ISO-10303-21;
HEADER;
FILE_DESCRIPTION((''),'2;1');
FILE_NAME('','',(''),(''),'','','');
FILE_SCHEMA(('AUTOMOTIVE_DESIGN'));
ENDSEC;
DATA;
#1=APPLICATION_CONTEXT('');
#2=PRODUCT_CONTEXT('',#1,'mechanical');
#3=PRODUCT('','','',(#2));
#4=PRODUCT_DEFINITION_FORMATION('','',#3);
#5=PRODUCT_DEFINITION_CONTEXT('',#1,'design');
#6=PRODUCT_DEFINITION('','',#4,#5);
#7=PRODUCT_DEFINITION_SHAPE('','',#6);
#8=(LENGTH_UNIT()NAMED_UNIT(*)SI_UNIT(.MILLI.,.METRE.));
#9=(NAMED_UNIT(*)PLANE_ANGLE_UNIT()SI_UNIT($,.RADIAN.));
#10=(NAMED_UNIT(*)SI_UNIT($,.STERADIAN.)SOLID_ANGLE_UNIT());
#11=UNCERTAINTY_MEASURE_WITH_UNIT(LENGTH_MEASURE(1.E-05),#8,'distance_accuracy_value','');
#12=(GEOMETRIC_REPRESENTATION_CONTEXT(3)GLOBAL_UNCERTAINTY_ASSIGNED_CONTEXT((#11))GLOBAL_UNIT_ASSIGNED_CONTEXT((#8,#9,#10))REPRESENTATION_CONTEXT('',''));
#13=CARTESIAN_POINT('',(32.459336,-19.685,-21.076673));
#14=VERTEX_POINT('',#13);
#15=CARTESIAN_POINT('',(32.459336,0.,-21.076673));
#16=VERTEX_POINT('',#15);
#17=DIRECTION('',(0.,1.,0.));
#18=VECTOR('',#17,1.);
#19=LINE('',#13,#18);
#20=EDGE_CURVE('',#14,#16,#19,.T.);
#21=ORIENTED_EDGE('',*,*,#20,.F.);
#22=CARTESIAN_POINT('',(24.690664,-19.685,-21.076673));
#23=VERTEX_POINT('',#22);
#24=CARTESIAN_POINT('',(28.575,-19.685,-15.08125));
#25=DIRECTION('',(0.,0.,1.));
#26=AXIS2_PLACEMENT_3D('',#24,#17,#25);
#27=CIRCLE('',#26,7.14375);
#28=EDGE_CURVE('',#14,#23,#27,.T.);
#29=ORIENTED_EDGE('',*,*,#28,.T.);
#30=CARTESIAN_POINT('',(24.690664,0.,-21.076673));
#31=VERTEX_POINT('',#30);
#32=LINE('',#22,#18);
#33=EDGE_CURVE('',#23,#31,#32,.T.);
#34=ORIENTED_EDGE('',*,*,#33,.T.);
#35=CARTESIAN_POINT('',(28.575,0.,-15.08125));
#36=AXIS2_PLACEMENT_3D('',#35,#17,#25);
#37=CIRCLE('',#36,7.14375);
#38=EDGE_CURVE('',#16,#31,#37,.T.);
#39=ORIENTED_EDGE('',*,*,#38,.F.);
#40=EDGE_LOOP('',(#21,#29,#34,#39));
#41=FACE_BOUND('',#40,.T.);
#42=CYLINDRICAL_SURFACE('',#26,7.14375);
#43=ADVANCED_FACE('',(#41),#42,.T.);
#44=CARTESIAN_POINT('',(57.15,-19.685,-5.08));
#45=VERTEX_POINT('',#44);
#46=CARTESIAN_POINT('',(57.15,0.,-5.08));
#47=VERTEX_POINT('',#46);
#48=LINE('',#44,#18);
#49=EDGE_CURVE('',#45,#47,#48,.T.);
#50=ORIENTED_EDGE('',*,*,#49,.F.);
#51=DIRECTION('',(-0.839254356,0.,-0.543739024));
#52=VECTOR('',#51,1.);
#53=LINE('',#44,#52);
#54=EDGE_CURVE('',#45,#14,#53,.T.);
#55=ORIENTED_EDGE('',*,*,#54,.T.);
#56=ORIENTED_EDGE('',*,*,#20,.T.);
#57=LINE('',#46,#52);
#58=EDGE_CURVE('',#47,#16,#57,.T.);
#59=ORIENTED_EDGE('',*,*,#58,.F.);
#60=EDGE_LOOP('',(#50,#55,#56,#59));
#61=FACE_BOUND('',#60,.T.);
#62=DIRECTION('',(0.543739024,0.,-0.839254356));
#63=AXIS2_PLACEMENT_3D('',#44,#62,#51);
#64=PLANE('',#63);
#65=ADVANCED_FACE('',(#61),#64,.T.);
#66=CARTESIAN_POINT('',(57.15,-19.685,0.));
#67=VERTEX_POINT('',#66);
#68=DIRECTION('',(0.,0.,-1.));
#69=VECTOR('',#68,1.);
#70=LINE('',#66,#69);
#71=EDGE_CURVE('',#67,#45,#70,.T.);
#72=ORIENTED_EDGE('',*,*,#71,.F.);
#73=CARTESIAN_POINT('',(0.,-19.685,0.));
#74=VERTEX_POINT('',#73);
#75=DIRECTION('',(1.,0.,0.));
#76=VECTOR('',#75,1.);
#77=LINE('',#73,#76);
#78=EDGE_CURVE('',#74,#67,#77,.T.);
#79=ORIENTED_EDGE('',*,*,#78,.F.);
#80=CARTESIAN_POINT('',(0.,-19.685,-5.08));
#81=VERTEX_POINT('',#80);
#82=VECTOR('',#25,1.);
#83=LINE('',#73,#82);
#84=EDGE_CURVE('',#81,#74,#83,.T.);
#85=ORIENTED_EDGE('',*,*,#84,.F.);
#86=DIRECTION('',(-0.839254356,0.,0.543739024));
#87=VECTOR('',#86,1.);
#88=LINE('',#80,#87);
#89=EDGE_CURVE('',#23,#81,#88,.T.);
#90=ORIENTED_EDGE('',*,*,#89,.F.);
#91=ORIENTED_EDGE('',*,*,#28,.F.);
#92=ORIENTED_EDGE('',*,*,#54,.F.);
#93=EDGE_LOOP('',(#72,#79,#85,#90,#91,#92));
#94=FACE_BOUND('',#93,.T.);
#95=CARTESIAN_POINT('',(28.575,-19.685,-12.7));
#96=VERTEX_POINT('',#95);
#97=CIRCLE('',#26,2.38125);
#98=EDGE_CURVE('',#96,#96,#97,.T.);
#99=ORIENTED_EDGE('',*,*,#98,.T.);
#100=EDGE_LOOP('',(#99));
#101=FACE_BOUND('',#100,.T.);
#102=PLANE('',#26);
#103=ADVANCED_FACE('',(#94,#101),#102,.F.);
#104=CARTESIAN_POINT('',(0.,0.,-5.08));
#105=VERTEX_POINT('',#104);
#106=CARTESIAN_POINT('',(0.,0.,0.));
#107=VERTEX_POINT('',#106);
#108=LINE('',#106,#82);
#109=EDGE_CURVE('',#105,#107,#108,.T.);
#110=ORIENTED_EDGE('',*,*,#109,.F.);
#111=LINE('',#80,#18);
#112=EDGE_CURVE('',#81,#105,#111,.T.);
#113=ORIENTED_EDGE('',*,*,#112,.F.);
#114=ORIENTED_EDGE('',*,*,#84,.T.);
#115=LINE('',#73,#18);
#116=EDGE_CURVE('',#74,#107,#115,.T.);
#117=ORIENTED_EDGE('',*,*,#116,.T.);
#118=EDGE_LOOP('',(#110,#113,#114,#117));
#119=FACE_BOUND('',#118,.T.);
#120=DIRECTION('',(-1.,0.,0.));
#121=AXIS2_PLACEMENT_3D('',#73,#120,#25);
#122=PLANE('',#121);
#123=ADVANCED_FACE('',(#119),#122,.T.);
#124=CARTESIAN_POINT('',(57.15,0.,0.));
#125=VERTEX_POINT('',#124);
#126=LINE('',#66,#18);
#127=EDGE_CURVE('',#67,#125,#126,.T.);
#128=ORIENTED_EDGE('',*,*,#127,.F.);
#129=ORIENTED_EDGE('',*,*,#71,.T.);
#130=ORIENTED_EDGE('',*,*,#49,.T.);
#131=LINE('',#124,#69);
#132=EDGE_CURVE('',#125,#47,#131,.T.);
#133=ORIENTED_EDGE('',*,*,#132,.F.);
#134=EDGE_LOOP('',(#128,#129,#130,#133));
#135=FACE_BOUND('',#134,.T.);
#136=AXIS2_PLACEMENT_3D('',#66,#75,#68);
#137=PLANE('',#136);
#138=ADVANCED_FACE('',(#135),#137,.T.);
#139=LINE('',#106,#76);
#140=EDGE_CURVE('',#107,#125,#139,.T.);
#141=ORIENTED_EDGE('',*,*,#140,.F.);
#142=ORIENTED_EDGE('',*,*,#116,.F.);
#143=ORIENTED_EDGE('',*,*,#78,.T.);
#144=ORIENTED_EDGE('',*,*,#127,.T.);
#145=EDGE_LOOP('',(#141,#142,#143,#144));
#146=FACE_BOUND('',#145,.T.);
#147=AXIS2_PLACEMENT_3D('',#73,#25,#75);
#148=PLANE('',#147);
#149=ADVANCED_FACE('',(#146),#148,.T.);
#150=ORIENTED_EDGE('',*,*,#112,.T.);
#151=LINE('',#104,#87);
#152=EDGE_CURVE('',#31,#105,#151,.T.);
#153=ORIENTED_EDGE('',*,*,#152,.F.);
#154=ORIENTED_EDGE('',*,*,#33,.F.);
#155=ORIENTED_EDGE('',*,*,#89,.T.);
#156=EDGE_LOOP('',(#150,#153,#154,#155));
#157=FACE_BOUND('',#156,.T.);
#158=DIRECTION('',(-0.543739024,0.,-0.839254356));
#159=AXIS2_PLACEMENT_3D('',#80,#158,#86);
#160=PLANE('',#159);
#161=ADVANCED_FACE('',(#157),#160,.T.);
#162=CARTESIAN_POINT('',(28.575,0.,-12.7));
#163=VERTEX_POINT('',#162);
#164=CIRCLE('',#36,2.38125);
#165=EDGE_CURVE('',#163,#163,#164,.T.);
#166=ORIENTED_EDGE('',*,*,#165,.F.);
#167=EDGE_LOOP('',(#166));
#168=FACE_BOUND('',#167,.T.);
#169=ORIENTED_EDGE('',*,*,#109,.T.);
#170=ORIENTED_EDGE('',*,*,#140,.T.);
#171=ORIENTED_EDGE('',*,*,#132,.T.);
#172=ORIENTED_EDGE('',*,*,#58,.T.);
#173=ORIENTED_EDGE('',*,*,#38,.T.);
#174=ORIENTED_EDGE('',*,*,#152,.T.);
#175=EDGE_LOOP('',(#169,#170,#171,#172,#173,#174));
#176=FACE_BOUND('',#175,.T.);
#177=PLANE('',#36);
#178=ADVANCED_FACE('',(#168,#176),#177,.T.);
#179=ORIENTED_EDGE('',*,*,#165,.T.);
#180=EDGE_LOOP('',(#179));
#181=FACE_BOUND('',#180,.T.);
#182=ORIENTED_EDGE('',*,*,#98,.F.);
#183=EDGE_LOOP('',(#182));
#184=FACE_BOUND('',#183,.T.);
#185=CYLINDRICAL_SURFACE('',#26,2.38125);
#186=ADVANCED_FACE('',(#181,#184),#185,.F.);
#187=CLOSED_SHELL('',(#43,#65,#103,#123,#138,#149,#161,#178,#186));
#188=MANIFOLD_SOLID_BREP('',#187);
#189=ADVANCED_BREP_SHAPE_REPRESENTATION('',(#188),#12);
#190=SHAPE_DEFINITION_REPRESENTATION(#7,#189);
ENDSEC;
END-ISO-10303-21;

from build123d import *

# Parameters (mm, degrees)
SKETCH1_R           = 2.38125
BOSS_EXTRUDE1_DEPTH = 19.685


with BuildPart() as part:
    # Sketch1 → Boss-Extrude1 (new body)
    with BuildSketch(Plane(origin=(0, 0, 0), x_dir=(1, 0, 0), z_dir=(0, 1, 0))):
        with BuildLine():
            Line((0, 5.08), (24.690664344, 21.076673302))
            ThreePointArc((24.690664344, 21.076673302), (28.575, 22.225), (32.459335656, 21.076673302))
            Line((32.459335656, 21.076673302), (57.15, 5.08))
            Line((57.15, 5.08), (57.15, 0))
            Line((57.15, 0), (0, 0))
            Line((0, 0), (0, 5.08))
        make_face()
        with Locations(Location((28.575, 15.08125, 0), (0, 0, 270))):
            Circle(SKETCH1_R, mode=Mode.SUBTRACT)
    extrude(amount=-BOSS_EXTRUDE1_DEPTH)


solid = part.part
